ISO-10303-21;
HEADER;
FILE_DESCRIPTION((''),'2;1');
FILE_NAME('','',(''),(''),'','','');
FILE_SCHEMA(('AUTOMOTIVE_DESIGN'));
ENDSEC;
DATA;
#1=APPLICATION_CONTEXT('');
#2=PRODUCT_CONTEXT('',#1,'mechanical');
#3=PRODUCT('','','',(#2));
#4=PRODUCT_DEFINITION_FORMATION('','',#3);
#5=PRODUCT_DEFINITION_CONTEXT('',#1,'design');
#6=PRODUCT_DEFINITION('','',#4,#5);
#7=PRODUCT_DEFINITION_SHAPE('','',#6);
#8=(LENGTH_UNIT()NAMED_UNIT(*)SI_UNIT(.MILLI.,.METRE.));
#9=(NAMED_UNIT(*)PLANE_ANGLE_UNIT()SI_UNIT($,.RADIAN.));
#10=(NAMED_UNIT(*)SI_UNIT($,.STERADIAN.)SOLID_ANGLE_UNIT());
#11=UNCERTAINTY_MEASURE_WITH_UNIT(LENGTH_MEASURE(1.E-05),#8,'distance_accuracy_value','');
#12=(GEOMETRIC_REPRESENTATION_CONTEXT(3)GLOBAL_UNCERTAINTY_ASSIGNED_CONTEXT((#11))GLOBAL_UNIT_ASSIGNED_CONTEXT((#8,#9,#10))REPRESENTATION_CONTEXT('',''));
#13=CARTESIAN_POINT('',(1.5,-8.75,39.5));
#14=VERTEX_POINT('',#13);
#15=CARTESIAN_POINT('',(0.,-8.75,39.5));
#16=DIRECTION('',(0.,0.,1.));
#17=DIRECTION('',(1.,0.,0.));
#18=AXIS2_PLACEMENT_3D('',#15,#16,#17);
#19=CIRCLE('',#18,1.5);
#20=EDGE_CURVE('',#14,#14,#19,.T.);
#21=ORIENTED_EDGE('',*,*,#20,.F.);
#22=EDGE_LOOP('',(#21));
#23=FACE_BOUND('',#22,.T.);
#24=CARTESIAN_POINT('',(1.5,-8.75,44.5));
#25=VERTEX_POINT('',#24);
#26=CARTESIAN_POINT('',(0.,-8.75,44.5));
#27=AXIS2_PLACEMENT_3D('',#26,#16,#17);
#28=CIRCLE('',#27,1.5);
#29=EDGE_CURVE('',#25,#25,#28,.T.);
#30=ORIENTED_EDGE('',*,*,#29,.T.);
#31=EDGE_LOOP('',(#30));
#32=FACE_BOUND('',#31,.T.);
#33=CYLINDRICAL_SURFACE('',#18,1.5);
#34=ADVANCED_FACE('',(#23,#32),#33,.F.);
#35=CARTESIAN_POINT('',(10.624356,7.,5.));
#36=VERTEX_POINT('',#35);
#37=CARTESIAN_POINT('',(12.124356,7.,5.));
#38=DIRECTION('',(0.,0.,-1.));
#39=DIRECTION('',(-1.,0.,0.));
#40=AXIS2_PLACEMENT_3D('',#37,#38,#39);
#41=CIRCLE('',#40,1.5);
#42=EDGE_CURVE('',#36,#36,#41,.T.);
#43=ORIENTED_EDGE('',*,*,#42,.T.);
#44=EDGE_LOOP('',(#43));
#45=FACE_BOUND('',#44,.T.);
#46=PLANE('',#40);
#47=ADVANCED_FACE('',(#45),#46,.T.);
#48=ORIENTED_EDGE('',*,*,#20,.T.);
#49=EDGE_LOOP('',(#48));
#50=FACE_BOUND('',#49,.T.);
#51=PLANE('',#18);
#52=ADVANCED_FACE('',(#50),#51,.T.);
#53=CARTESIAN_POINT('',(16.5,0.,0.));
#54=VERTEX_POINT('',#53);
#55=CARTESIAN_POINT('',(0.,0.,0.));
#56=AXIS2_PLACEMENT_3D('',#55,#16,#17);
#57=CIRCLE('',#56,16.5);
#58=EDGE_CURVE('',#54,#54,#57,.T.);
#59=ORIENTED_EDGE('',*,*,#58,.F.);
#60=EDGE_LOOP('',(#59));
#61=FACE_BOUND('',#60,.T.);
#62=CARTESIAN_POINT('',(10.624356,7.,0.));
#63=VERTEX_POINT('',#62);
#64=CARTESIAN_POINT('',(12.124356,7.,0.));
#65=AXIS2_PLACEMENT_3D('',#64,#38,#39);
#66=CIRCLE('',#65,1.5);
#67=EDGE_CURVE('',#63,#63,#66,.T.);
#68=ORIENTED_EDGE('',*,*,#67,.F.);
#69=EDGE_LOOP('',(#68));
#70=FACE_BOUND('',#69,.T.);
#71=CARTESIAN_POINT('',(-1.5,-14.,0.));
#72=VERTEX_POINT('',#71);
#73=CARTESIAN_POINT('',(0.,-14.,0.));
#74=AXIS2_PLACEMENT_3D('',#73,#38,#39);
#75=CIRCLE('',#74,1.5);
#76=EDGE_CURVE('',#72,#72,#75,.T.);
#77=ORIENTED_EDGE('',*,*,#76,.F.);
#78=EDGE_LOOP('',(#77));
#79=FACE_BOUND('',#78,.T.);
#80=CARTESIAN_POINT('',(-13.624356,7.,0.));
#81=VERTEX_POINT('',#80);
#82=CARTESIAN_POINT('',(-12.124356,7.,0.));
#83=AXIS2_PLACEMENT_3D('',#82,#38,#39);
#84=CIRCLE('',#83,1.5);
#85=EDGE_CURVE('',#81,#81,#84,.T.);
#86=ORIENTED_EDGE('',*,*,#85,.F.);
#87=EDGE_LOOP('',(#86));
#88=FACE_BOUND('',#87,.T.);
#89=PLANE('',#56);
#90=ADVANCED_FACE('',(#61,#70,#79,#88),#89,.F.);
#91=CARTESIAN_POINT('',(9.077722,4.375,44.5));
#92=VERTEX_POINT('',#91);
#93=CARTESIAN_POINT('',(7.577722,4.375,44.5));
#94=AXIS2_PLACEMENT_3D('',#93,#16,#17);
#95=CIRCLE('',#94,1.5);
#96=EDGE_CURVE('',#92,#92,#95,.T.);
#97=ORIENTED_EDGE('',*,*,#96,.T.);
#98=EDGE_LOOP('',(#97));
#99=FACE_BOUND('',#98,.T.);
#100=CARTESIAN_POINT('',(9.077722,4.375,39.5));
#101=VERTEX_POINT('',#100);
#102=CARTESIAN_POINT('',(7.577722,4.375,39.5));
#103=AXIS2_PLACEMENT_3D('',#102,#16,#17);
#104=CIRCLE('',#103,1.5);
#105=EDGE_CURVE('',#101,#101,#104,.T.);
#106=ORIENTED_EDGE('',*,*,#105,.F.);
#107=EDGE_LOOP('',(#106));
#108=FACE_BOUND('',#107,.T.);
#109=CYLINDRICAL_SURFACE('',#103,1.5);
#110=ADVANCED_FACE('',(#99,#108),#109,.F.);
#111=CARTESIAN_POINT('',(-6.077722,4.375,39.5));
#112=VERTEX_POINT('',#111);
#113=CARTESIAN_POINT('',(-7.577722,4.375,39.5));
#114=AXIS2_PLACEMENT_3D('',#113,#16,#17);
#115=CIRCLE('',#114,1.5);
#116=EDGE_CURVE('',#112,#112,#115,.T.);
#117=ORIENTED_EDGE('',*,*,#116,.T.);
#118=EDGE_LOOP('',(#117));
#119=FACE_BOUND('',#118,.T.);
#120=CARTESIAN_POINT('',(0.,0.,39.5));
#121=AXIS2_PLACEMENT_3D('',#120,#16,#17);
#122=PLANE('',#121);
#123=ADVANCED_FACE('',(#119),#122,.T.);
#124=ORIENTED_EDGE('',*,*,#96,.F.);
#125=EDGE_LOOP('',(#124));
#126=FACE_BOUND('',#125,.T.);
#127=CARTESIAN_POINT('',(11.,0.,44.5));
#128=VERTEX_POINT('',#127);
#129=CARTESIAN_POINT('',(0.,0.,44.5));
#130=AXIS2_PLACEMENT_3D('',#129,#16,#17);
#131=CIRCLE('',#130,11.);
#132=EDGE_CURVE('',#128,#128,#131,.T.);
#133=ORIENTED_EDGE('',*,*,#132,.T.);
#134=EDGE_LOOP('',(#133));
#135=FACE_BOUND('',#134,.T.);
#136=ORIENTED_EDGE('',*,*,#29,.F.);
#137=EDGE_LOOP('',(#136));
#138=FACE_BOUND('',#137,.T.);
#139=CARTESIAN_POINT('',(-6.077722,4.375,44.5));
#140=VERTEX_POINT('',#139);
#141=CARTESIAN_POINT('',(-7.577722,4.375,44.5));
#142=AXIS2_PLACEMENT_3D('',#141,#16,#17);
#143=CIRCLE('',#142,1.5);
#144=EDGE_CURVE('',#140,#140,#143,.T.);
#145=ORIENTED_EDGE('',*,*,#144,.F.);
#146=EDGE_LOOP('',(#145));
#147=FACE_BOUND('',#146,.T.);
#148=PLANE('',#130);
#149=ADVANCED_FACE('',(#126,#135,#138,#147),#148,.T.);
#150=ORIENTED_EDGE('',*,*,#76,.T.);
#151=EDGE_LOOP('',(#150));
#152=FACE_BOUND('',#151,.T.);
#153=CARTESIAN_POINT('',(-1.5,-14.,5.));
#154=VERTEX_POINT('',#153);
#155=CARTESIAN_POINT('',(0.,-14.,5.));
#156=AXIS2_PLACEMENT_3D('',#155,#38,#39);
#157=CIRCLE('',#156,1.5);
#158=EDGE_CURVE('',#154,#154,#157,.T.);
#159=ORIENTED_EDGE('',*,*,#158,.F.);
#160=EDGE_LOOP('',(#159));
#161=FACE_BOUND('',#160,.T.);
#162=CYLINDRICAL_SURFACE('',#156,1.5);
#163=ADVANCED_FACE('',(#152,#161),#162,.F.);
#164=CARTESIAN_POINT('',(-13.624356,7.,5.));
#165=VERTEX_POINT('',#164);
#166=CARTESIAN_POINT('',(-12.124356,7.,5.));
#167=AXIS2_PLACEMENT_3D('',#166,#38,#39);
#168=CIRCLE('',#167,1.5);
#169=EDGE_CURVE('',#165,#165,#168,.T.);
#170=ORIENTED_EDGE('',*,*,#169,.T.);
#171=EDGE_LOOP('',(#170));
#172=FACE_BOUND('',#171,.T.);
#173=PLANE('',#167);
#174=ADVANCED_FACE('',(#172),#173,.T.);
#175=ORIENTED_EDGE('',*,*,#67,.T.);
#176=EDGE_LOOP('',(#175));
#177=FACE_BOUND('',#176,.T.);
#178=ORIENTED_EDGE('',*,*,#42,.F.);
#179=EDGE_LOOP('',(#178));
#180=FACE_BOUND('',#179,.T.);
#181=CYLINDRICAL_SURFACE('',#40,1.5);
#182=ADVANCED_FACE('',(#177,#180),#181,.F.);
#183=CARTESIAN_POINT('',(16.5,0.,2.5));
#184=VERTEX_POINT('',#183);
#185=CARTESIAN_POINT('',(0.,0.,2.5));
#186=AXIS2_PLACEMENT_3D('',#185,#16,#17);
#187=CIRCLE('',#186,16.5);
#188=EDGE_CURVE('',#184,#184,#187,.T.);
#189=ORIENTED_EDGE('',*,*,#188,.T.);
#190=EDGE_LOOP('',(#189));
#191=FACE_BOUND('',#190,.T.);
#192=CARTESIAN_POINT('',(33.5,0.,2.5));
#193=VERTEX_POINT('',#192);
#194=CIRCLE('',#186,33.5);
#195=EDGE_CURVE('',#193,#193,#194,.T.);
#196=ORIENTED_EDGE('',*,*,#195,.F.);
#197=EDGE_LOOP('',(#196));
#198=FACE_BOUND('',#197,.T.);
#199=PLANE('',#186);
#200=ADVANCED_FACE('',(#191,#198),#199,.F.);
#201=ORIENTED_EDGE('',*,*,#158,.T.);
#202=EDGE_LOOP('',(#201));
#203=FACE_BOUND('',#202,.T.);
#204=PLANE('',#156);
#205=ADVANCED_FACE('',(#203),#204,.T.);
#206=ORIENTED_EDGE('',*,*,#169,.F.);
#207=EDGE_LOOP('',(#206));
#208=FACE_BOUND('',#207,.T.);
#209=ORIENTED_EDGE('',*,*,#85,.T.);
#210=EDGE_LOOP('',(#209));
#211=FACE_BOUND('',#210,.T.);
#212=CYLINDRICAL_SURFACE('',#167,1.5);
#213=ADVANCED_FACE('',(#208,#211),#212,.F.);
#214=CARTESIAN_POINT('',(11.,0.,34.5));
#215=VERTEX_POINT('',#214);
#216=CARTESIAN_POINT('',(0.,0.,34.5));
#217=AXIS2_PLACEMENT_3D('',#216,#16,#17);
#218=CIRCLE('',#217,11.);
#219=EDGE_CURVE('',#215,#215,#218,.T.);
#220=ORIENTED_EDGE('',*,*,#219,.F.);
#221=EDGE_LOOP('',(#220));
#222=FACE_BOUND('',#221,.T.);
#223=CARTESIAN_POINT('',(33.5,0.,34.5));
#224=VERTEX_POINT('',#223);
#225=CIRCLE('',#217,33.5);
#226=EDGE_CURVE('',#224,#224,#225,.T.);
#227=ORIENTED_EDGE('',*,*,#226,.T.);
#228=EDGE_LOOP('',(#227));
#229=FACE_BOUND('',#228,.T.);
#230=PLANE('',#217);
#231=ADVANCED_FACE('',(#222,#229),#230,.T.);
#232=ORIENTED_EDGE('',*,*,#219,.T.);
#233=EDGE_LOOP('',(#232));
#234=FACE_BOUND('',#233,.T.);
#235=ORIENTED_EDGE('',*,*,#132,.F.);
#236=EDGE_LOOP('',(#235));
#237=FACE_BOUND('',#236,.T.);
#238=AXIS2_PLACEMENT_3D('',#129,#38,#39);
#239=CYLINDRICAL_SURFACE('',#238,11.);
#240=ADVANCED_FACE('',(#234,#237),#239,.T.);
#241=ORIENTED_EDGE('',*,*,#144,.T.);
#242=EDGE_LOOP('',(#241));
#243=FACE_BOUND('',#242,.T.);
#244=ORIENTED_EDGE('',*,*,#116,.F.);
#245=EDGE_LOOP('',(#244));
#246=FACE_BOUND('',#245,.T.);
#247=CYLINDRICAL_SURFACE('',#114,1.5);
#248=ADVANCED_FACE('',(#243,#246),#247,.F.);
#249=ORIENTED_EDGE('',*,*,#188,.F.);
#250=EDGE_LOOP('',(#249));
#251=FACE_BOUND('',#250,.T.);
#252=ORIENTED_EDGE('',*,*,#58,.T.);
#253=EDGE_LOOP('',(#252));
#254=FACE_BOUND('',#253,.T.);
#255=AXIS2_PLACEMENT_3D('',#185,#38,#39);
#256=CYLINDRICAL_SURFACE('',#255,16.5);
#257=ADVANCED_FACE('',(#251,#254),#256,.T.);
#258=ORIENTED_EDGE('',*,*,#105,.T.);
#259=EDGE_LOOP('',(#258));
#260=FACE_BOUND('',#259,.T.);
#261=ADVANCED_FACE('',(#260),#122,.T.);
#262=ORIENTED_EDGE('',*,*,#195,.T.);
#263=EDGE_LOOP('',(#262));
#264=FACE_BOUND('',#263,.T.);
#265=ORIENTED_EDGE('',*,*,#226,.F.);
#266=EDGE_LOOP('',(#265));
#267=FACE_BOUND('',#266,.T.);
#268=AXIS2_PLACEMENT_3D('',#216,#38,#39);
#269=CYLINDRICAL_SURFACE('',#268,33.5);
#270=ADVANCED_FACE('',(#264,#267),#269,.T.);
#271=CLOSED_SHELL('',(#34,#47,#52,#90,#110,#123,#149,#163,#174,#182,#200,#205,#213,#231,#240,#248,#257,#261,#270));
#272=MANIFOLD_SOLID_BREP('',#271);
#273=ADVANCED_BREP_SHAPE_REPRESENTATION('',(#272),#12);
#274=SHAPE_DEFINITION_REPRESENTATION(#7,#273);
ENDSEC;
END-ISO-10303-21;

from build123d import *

# Parameters (mm, degrees)
SKETCH_1_R          = 16.5
EXTRUDE_1_DEPTH     = 2.5
SKETCH_2_R          = 33.5
EXTRUDE_2_DEPTH     = 32
SKETCH_3_R          = 11
EXTRUDE_3_DEPTH     = 10
SKETCH_4_R          = 1.5
CUT_EXTRUDE_1_DEPTH = 5
SKETCH_5_R          = 1.5
CUT_EXTRUDE_2_DEPTH = 5


with BuildPart() as part:
    # 草图1 → 凸台-拉伸1 (new body)
    with BuildSketch(Plane.XY):
        Circle(SKETCH_1_R)
    extrude(amount=EXTRUDE_1_DEPTH)

    # 草图2 → 凸台-拉伸2 (add)
    with BuildSketch(Plane.XY.offset(2.5)):
        Circle(SKETCH_2_R)
    extrude(amount=EXTRUDE_2_DEPTH)

    # 草图3 → 凸台-拉伸3 (add)
    with BuildSketch(Plane.XY.offset(34.5)):
        Circle(SKETCH_3_R)
    extrude(amount=EXTRUDE_3_DEPTH)

    # 草图4 → 切除-拉伸1 (cut)
    with BuildSketch(Plane.XY.offset(44.5)):
        with Locations((7.577722283, 4.375)):
            Circle(SKETCH_4_R)
        with Locations((-7.577722283, 4.375)):
            Circle(SKETCH_4_R)
        with Locations((0, -8.75)):
            Circle(SKETCH_4_R)
    extrude(amount=-CUT_EXTRUDE_1_DEPTH, mode=Mode.SUBTRACT)

    # 草图5 → 切除-拉伸2 (cut)
    with BuildSketch(Plane(origin=(0, 0, 0), x_dir=(-1, 0, 0), z_dir=(0, 0, -1))):
        with Locations((0, -14)):
            Circle(SKETCH_5_R)
        with Locations((-12.124355653, 7)):
            Circle(SKETCH_5_R)
        with Locations((12.124355653, 7)):
            Circle(SKETCH_5_R)
    extrude(amount=-CUT_EXTRUDE_2_DEPTH, mode=Mode.SUBTRACT)


solid = part.part
